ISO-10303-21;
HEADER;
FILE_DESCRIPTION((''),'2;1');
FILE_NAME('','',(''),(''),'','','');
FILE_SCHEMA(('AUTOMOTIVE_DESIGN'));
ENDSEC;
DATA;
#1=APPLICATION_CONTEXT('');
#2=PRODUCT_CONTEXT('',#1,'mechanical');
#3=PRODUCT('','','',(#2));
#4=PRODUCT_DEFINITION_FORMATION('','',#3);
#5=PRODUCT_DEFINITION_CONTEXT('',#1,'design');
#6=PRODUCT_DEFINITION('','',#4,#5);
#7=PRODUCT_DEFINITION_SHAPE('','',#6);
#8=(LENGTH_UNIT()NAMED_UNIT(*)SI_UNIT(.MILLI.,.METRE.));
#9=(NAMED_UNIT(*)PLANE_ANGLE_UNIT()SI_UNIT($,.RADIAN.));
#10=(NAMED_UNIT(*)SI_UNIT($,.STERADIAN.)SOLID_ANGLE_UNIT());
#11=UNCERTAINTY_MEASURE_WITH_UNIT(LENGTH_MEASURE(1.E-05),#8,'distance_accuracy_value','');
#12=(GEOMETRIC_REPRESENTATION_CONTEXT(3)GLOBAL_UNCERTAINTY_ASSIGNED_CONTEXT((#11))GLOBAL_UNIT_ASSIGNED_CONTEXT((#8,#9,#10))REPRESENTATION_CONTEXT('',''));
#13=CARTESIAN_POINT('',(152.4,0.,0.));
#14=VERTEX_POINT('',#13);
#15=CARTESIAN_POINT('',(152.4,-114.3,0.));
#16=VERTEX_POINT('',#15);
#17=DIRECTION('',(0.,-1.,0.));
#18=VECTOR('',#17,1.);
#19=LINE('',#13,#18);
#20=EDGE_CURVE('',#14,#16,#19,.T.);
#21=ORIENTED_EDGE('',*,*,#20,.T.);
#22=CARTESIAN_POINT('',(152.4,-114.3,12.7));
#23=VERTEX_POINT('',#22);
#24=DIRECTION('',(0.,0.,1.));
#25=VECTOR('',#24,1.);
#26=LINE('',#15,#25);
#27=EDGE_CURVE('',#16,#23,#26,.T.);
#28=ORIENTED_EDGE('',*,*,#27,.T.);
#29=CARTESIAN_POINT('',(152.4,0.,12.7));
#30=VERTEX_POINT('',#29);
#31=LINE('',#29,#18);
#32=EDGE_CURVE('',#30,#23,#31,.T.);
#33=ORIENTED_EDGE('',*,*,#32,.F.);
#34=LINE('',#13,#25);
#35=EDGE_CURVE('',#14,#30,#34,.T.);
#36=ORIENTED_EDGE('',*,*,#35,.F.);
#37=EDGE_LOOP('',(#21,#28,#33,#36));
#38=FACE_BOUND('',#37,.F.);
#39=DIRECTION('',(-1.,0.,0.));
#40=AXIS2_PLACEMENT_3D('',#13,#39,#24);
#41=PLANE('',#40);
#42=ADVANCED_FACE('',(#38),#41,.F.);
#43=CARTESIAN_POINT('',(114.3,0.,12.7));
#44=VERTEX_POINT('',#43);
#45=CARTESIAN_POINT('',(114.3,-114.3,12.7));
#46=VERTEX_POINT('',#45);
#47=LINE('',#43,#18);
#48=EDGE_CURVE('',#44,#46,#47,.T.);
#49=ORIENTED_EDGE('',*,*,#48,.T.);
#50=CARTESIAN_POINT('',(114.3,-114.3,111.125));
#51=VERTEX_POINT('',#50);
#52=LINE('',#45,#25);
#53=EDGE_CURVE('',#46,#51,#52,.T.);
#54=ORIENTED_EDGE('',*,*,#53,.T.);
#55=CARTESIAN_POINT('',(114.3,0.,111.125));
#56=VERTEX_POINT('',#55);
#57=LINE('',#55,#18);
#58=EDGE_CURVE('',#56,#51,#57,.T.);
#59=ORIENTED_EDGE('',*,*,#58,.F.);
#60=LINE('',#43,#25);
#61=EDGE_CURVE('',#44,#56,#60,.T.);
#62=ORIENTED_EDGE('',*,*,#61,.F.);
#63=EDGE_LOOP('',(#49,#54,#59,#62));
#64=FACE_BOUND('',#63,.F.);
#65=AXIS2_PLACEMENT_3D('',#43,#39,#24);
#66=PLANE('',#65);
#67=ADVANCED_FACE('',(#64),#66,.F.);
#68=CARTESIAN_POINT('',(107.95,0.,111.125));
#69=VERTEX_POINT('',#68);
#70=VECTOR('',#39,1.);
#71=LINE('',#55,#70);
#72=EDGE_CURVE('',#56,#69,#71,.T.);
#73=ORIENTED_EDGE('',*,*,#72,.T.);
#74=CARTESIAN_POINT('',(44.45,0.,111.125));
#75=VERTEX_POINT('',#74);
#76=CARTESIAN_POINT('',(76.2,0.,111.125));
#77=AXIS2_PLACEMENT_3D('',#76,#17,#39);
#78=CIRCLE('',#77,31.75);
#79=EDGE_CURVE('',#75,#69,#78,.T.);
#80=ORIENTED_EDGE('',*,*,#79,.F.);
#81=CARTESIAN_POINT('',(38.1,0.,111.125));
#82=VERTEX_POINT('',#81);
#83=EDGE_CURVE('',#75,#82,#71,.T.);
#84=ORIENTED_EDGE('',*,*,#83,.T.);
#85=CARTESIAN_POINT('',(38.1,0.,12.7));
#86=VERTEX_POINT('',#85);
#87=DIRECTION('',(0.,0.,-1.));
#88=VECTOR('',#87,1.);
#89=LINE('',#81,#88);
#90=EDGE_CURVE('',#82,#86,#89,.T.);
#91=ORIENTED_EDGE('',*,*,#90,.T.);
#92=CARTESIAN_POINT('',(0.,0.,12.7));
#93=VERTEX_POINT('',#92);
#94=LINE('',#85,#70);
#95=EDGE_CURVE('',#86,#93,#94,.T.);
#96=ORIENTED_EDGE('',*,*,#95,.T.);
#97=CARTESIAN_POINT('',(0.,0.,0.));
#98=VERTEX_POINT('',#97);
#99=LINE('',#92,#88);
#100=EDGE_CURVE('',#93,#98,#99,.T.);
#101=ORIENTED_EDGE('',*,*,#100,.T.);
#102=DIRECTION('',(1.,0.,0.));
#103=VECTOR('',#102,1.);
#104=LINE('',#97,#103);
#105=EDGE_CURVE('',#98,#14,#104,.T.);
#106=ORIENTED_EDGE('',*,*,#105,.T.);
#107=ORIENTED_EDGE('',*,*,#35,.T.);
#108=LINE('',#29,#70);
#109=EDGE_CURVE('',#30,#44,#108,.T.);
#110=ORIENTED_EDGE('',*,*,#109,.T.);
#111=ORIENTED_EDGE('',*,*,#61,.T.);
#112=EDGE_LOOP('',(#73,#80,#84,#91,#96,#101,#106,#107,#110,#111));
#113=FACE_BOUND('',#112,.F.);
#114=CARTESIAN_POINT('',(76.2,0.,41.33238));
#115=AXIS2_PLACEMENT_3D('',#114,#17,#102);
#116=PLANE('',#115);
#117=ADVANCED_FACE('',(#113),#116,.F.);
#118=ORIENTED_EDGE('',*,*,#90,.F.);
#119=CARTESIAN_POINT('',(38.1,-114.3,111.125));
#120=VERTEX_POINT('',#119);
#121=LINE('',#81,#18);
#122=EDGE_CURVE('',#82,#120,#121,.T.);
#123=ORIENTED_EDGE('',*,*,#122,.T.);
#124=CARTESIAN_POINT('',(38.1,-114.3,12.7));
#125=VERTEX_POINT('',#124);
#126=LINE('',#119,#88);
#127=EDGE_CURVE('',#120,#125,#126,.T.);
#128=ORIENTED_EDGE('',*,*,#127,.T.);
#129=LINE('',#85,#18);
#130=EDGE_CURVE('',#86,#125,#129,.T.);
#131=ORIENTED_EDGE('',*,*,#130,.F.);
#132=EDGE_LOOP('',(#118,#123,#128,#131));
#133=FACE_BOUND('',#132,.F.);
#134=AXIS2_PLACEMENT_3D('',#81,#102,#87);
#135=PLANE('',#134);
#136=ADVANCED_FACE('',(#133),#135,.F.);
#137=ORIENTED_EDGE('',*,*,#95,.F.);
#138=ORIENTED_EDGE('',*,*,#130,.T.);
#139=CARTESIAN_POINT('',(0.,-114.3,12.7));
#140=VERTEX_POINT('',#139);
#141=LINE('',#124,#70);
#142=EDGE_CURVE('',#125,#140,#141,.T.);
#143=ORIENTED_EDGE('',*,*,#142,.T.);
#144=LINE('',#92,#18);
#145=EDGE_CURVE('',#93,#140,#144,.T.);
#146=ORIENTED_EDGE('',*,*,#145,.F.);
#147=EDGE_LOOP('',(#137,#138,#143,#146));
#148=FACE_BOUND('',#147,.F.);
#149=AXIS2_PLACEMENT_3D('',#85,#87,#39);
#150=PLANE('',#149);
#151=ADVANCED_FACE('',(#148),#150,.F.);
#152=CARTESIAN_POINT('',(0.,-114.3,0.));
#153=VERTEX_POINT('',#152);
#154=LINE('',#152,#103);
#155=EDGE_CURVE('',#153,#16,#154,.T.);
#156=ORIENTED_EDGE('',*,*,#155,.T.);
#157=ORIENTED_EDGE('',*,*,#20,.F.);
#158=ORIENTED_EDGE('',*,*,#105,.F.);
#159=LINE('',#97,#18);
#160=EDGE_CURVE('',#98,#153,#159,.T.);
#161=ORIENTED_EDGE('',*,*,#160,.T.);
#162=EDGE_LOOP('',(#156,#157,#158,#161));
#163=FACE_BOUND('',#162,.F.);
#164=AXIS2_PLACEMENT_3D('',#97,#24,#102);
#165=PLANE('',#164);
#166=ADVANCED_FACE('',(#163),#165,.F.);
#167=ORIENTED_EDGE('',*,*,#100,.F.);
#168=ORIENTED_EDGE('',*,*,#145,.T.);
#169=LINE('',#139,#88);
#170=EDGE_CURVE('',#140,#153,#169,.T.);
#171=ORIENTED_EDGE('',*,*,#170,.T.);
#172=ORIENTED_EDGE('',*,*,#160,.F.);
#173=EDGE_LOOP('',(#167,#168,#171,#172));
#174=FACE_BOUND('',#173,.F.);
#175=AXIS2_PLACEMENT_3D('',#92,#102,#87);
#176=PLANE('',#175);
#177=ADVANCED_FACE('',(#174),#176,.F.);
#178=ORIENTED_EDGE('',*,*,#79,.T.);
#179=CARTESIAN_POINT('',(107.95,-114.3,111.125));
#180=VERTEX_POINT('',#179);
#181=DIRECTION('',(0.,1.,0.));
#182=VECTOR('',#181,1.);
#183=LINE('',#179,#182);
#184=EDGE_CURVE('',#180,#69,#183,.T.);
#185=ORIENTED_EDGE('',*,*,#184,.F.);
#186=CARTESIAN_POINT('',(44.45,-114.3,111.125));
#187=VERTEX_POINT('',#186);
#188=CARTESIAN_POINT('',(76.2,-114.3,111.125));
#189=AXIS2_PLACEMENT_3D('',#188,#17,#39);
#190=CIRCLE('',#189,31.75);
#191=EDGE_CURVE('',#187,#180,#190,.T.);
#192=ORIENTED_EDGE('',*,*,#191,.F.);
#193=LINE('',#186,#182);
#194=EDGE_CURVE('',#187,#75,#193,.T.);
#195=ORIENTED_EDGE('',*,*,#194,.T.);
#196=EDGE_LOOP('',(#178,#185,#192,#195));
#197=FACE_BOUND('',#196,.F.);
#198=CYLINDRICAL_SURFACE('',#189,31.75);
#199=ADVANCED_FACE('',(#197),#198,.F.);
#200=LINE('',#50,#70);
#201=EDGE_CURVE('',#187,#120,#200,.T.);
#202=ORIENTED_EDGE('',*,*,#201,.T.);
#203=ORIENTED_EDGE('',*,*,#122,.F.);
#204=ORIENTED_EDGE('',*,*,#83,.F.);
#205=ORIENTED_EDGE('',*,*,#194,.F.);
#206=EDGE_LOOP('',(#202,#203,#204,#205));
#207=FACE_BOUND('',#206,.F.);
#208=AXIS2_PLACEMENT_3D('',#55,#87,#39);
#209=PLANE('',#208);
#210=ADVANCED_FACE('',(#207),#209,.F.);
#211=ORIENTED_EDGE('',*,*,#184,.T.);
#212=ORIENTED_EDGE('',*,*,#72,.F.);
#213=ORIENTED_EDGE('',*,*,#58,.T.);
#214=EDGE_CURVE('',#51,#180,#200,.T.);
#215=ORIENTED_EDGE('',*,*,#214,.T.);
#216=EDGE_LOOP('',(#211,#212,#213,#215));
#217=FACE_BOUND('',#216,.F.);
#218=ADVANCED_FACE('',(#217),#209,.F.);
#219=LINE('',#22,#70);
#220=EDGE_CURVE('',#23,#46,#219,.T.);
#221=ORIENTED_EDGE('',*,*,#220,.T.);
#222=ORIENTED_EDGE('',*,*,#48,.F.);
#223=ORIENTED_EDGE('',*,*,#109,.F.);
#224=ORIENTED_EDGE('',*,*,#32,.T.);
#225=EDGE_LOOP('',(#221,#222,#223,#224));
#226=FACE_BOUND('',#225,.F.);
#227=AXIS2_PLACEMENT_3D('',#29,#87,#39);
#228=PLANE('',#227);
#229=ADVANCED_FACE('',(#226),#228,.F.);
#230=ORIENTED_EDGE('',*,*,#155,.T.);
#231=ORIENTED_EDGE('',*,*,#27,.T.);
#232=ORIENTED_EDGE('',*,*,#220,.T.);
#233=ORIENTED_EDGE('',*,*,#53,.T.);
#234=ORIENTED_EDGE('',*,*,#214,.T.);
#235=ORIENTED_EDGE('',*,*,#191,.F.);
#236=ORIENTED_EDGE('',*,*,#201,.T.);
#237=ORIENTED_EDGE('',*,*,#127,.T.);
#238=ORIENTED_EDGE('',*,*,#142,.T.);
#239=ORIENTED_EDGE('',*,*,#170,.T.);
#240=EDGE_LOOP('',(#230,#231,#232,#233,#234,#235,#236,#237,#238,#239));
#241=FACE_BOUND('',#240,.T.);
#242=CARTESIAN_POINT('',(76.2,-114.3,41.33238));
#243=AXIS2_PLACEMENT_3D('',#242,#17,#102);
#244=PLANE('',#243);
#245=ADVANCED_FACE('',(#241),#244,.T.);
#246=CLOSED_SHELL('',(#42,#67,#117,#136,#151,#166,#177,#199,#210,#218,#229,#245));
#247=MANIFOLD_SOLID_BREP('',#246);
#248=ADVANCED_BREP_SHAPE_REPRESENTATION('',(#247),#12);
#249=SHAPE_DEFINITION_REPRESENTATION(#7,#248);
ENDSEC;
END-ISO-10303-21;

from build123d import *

# Parameters (mm, degrees)
F1_DEPTH = 114.3
F3_DEPTH = 114.3


with BuildPart() as f1:
    # F0 (on Front) → F1 (new body)
    with BuildSketch(Plane.XZ):
        Polygon((0, 12.7), (0, 0), (152.4, 0), (152.4, 12.7), (114.3, 12.7), (114.3, 111.125), (38.1, 111.125), (38.1, 12.7), align=None)
    extrude(amount=F1_DEPTH)

    # F2 (on face) → F3 (cut, through all)
    with BuildSketch(Plane.XZ.offset(114.3)):
        with BuildLine():
            Line((107.95, 111.125), (44.45, 111.125))
            ThreePointArc((44.45, 111.125), (76.2, 79.375), (107.95, 111.125))
        make_face()
    extrude(amount=-F3_DEPTH, mode=Mode.SUBTRACT)


solid = f1.part
